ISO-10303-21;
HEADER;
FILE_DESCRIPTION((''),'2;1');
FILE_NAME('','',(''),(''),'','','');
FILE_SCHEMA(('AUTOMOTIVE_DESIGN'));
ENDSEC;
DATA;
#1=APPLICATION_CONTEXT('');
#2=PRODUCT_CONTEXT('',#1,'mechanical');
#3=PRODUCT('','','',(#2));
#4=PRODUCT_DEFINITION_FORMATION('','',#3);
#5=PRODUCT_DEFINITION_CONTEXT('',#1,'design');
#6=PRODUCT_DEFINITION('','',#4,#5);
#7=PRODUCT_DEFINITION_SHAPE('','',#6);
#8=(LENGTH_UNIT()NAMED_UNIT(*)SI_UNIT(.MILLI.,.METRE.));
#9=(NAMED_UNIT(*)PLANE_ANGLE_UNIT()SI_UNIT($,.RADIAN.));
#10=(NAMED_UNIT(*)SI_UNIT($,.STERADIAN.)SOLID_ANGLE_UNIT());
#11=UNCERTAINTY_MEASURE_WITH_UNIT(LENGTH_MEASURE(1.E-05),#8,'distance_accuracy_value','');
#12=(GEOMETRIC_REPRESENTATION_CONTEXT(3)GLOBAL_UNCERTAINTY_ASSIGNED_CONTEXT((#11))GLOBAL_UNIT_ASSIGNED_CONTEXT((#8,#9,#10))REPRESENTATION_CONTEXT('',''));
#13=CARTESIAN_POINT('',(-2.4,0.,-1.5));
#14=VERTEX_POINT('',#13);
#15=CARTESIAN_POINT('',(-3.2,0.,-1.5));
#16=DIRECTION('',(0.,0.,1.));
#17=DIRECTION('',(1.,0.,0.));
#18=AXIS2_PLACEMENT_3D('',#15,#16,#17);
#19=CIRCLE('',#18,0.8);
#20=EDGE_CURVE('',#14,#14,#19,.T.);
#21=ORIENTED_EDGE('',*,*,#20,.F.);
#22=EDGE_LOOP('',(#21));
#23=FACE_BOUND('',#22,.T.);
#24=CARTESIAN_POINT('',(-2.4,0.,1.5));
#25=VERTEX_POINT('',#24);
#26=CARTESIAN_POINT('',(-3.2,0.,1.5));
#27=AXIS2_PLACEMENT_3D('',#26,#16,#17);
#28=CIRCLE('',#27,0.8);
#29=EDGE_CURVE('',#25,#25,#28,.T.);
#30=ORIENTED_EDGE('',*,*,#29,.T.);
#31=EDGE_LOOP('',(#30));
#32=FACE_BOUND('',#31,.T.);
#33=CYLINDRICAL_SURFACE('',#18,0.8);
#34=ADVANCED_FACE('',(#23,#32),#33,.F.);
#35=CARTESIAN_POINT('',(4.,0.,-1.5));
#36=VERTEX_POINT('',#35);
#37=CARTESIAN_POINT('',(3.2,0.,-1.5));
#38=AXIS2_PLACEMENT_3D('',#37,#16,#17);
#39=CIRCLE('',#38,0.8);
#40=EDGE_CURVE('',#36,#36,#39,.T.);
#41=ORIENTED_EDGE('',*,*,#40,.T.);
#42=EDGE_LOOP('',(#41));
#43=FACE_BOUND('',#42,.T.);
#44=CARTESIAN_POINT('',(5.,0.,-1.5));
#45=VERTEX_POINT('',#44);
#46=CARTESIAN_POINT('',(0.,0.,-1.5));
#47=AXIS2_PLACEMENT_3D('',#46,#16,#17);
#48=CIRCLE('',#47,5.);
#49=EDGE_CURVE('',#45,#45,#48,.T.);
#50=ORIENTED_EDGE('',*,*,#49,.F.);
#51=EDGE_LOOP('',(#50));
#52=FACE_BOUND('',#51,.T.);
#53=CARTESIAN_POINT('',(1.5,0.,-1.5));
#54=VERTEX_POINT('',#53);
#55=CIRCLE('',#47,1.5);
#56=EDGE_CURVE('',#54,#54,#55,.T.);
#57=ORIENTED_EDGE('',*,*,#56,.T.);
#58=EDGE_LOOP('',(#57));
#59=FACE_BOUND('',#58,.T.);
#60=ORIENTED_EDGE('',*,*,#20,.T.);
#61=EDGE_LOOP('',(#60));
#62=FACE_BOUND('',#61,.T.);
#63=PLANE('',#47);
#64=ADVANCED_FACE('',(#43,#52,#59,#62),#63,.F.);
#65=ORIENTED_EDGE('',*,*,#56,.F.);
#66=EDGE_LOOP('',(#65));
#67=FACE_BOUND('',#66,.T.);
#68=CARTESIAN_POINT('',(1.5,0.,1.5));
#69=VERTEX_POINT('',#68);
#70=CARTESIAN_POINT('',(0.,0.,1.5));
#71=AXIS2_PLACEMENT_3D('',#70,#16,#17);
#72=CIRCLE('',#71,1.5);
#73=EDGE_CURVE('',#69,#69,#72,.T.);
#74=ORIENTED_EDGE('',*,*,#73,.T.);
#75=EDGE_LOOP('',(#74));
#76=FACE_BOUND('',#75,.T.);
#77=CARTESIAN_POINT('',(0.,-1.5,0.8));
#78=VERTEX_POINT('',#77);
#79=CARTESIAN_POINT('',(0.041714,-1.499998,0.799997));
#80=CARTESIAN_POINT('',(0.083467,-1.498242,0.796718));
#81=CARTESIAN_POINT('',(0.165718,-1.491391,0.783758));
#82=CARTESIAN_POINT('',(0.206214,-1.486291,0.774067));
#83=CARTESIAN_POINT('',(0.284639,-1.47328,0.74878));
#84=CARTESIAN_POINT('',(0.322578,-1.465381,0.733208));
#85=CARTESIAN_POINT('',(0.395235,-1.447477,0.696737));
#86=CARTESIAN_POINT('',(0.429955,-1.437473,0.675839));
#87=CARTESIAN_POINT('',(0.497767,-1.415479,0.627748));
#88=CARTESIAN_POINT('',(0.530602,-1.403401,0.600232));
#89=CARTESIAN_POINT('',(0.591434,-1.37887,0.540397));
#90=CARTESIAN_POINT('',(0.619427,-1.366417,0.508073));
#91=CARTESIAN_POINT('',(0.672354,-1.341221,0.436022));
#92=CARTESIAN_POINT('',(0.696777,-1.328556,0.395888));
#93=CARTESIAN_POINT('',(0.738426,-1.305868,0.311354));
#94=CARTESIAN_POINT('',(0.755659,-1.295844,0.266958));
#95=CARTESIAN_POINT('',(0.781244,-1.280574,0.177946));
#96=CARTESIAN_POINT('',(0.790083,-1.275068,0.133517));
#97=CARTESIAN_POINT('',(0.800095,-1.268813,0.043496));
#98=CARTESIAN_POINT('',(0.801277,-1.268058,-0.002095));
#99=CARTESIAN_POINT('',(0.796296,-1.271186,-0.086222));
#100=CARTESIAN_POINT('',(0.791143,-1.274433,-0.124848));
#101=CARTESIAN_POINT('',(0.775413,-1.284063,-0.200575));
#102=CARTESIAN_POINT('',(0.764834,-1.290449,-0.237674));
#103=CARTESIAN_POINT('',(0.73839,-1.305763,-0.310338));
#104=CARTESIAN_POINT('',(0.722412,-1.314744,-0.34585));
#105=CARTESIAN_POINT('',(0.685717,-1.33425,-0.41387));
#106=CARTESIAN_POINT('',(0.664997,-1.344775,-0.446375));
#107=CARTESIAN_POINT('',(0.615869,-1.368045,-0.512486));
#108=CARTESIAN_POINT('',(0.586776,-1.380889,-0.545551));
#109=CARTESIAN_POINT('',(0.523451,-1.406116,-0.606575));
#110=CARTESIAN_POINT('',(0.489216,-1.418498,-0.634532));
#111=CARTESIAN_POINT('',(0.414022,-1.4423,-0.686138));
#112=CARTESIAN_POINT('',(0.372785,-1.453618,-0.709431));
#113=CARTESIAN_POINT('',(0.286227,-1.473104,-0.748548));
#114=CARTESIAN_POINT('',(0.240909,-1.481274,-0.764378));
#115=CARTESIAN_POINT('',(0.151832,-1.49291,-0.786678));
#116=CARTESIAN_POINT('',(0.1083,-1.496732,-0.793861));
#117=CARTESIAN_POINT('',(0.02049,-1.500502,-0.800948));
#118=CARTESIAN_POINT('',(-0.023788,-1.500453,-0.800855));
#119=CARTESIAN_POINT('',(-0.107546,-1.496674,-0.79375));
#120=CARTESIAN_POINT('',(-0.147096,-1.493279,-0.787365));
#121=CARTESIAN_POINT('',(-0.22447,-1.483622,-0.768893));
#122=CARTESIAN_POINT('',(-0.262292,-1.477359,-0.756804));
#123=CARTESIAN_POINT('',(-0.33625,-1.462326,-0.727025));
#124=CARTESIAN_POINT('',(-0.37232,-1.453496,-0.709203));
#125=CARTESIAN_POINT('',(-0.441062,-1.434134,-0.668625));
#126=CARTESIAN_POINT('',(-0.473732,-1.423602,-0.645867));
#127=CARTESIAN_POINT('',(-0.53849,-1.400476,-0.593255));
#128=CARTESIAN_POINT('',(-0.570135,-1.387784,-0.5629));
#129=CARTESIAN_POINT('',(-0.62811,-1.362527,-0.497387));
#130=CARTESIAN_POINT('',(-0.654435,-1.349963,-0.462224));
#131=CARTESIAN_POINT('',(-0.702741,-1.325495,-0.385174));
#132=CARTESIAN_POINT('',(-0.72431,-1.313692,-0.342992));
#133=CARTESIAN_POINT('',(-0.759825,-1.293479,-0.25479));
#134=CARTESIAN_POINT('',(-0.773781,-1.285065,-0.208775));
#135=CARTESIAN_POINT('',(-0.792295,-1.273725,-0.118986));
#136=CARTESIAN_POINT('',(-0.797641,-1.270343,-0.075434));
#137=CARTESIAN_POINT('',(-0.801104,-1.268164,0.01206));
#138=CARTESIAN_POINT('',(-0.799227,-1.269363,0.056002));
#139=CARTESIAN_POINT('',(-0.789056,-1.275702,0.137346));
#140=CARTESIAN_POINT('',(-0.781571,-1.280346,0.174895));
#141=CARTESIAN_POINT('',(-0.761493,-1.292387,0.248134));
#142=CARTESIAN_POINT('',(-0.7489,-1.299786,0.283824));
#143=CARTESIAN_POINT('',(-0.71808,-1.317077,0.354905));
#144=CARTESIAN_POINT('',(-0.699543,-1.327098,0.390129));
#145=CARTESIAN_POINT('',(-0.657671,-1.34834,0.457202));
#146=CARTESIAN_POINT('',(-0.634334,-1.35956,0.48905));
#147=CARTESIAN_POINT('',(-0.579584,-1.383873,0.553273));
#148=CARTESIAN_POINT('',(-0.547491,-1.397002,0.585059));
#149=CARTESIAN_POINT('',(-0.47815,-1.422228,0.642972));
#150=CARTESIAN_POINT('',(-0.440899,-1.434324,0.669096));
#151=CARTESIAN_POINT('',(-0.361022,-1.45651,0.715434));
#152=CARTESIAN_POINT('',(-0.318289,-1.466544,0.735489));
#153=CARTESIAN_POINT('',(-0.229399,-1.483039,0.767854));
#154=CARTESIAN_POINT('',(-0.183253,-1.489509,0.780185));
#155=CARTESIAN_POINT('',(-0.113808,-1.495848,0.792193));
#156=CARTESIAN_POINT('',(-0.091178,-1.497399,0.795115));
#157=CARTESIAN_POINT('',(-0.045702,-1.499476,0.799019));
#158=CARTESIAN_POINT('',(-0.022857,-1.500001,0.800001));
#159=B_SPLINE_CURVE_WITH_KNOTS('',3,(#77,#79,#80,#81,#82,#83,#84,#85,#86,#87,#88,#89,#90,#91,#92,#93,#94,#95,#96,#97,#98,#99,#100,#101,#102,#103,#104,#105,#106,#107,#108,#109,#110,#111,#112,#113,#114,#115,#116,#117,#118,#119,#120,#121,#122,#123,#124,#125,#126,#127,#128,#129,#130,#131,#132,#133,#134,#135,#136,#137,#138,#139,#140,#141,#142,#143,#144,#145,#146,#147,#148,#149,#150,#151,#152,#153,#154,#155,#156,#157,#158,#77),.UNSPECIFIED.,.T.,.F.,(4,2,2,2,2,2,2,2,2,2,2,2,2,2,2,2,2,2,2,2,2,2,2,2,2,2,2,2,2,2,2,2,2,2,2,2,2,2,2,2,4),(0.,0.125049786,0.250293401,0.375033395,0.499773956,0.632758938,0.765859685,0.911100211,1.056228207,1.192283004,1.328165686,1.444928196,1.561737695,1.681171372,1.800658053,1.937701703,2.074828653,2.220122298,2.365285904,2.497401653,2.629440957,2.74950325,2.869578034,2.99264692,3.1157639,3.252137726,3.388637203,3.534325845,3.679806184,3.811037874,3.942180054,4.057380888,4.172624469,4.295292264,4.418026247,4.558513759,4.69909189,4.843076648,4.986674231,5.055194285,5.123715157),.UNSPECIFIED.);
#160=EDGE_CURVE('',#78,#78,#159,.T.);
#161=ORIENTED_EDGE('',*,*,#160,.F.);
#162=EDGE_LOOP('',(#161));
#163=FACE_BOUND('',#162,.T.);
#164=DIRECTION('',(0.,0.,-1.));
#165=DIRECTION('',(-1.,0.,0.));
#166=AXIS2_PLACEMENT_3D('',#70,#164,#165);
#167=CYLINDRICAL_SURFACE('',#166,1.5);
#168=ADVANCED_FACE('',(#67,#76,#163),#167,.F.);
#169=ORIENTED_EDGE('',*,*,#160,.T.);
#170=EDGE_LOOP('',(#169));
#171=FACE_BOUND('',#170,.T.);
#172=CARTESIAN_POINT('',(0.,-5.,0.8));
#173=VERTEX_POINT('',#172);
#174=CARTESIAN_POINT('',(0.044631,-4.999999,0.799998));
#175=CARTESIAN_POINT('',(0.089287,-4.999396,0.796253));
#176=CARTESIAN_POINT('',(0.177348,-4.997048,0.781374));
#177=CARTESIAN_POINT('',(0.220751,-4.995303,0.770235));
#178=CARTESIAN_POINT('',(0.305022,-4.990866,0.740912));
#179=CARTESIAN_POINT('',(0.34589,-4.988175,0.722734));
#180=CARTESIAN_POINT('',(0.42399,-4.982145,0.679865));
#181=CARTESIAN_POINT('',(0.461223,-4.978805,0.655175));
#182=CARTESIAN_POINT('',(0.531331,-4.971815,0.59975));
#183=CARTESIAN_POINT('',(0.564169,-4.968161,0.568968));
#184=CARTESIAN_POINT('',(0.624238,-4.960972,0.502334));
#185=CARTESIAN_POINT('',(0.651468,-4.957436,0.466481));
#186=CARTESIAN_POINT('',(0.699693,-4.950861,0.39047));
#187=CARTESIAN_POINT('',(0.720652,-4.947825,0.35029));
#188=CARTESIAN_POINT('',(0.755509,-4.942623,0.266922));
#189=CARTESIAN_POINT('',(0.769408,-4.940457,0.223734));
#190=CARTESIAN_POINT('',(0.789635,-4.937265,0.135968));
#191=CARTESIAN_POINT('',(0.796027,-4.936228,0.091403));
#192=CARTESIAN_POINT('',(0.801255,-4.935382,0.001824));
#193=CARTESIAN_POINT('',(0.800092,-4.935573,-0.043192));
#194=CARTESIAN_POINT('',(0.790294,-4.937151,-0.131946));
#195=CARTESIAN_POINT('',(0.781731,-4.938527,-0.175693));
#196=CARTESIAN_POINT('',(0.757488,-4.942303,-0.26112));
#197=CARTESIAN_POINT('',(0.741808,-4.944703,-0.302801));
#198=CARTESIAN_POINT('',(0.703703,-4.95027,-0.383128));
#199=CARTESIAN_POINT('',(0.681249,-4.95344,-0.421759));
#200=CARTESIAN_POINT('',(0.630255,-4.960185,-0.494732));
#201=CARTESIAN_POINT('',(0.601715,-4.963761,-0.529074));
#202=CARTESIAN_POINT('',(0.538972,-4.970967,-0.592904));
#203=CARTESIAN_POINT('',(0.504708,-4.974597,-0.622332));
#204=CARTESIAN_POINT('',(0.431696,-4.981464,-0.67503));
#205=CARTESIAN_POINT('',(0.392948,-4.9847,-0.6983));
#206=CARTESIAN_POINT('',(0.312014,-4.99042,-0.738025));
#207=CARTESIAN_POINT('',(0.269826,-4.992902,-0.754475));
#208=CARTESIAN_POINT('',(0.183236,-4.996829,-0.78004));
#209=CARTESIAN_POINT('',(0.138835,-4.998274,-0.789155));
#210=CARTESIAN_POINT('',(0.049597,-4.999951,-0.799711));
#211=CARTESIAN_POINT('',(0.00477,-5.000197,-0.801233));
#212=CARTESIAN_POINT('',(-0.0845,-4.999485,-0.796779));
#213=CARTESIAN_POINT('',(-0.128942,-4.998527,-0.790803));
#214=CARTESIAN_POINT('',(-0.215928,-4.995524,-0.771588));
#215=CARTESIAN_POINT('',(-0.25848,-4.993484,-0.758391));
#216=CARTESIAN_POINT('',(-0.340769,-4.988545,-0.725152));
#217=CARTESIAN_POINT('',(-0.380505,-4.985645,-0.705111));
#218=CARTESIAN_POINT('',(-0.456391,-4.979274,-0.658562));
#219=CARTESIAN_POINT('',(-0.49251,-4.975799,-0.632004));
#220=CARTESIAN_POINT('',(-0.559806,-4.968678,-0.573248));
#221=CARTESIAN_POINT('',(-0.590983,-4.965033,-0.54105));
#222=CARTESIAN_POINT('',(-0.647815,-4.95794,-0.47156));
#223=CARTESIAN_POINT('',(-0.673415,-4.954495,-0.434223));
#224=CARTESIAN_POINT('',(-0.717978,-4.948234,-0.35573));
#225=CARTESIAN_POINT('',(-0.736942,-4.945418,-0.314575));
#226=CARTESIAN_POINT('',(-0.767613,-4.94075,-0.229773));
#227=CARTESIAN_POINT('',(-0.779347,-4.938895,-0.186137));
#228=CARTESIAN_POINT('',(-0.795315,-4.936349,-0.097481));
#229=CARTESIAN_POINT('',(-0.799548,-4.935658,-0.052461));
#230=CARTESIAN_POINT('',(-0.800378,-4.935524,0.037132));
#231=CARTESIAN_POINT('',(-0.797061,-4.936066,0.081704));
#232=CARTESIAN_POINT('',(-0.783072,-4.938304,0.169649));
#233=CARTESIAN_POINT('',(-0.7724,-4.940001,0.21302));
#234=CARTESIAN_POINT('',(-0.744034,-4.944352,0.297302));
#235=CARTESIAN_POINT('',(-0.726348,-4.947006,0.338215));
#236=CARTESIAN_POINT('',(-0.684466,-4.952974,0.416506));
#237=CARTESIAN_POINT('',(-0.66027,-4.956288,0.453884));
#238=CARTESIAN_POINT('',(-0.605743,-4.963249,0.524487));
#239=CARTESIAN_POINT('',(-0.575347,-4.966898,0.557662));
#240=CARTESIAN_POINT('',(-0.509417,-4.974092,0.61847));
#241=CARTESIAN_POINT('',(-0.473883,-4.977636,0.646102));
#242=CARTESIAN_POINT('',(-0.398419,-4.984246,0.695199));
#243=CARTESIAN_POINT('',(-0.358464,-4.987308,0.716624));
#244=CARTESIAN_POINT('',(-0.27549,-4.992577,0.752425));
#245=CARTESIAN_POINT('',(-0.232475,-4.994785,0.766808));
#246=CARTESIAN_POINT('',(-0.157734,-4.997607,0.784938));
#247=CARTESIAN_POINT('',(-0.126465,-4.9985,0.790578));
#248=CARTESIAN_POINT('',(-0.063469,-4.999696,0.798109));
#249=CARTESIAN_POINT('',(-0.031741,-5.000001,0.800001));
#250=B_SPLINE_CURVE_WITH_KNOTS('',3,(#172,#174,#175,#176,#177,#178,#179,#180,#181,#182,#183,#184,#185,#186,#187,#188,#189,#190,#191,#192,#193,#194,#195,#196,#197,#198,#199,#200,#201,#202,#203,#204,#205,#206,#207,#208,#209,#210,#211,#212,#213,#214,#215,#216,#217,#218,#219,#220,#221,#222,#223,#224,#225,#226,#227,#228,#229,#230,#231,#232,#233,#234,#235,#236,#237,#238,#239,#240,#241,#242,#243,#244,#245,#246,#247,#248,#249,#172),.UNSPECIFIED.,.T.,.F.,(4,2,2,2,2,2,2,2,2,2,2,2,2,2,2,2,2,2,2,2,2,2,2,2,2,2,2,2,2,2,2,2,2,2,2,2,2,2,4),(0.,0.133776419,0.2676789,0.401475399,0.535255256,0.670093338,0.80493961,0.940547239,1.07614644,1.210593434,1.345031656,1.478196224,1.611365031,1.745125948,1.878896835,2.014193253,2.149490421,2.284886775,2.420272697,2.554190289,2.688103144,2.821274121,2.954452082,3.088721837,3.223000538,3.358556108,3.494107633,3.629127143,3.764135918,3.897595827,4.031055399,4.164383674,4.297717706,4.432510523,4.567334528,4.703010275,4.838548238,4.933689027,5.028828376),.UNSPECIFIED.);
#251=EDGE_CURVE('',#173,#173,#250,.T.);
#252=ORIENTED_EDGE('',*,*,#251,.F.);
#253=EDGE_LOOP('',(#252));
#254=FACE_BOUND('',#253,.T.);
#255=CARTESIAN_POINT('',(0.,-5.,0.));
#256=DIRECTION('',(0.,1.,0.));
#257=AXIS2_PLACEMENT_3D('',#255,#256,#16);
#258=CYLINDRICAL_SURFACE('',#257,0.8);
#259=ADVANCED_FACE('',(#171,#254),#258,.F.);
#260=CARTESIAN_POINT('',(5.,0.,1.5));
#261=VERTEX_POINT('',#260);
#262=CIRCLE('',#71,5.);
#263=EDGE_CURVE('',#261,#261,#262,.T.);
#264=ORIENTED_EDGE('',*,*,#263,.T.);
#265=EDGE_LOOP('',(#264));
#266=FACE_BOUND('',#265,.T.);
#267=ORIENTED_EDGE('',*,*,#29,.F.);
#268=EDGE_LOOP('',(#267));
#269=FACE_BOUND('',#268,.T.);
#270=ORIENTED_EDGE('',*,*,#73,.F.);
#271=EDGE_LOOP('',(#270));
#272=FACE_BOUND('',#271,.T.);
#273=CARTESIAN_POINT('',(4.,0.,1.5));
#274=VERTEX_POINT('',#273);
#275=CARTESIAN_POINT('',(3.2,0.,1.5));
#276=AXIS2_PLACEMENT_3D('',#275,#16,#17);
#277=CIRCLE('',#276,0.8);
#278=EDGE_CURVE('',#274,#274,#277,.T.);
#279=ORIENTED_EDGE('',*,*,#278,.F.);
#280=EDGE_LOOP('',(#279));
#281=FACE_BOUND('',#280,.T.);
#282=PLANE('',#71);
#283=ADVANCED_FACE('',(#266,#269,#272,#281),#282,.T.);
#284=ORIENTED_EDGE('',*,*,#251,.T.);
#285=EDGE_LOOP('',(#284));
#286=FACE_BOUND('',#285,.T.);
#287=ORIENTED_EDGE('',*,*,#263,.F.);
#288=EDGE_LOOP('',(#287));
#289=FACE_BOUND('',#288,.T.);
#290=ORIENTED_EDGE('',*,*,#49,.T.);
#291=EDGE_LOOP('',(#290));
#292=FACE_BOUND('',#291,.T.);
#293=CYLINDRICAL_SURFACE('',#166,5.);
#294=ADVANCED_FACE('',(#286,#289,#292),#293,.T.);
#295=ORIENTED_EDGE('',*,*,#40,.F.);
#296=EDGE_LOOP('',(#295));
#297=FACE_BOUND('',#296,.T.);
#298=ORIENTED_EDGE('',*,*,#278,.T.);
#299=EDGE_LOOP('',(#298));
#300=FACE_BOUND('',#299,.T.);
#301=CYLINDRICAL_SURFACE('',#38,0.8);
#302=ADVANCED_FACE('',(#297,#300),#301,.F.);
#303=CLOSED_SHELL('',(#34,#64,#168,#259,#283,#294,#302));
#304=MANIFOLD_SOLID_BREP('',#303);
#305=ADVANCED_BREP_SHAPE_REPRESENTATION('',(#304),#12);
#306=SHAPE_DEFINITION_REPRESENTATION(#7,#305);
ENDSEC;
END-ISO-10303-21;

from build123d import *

# Parameters (mm, degrees)
SKETCH1_R           = 5
SKETCH1_R_2         = 1.5
EXTRUDE1_DEPTH      = 1.5
EXTRUDE2_DEPTH      = 8.228416147
EXTRUDE2_DEPTH_BACK = 8.228416147
SKETCH2_R           = 0.8
SKETCH3_R           = 0.8
EXTRUDE3_DEPTH      = 8.228416147


with BuildPart() as part:
    # Sketch1 → Extrude1 (new, symmetric)
    with BuildSketch(Plane.XY):
        Circle(SKETCH1_R)
        Circle(SKETCH1_R_2, mode=Mode.SUBTRACT)
    extrude(amount=EXTRUDE1_DEPTH, both=True)

    # Sketch2 → Extrude2 (cut, two sides: drawn at the far end of the back side and taken through both)
    with BuildSketch(Plane.XY.offset(-EXTRUDE2_DEPTH_BACK)):
        with Locations((-3.2, 0)):
            Circle(SKETCH2_R)
        with Locations((3.2, 0)):
            Circle(SKETCH2_R)
    extrude(amount=EXTRUDE2_DEPTH + EXTRUDE2_DEPTH_BACK, mode=Mode.SUBTRACT)

    # Sketch3 → Extrude3 (cut, through all)
    with BuildSketch(Plane(origin=(0, 0, 0), x_dir=(1, 0, 0), z_dir=(0, 1, 0))):
        with Locations(Location((0, 0, 0), (0, 0, 270))):
            Circle(SKETCH3_R)
    extrude(amount=-EXTRUDE3_DEPTH, mode=Mode.SUBTRACT)


solid = part.part
